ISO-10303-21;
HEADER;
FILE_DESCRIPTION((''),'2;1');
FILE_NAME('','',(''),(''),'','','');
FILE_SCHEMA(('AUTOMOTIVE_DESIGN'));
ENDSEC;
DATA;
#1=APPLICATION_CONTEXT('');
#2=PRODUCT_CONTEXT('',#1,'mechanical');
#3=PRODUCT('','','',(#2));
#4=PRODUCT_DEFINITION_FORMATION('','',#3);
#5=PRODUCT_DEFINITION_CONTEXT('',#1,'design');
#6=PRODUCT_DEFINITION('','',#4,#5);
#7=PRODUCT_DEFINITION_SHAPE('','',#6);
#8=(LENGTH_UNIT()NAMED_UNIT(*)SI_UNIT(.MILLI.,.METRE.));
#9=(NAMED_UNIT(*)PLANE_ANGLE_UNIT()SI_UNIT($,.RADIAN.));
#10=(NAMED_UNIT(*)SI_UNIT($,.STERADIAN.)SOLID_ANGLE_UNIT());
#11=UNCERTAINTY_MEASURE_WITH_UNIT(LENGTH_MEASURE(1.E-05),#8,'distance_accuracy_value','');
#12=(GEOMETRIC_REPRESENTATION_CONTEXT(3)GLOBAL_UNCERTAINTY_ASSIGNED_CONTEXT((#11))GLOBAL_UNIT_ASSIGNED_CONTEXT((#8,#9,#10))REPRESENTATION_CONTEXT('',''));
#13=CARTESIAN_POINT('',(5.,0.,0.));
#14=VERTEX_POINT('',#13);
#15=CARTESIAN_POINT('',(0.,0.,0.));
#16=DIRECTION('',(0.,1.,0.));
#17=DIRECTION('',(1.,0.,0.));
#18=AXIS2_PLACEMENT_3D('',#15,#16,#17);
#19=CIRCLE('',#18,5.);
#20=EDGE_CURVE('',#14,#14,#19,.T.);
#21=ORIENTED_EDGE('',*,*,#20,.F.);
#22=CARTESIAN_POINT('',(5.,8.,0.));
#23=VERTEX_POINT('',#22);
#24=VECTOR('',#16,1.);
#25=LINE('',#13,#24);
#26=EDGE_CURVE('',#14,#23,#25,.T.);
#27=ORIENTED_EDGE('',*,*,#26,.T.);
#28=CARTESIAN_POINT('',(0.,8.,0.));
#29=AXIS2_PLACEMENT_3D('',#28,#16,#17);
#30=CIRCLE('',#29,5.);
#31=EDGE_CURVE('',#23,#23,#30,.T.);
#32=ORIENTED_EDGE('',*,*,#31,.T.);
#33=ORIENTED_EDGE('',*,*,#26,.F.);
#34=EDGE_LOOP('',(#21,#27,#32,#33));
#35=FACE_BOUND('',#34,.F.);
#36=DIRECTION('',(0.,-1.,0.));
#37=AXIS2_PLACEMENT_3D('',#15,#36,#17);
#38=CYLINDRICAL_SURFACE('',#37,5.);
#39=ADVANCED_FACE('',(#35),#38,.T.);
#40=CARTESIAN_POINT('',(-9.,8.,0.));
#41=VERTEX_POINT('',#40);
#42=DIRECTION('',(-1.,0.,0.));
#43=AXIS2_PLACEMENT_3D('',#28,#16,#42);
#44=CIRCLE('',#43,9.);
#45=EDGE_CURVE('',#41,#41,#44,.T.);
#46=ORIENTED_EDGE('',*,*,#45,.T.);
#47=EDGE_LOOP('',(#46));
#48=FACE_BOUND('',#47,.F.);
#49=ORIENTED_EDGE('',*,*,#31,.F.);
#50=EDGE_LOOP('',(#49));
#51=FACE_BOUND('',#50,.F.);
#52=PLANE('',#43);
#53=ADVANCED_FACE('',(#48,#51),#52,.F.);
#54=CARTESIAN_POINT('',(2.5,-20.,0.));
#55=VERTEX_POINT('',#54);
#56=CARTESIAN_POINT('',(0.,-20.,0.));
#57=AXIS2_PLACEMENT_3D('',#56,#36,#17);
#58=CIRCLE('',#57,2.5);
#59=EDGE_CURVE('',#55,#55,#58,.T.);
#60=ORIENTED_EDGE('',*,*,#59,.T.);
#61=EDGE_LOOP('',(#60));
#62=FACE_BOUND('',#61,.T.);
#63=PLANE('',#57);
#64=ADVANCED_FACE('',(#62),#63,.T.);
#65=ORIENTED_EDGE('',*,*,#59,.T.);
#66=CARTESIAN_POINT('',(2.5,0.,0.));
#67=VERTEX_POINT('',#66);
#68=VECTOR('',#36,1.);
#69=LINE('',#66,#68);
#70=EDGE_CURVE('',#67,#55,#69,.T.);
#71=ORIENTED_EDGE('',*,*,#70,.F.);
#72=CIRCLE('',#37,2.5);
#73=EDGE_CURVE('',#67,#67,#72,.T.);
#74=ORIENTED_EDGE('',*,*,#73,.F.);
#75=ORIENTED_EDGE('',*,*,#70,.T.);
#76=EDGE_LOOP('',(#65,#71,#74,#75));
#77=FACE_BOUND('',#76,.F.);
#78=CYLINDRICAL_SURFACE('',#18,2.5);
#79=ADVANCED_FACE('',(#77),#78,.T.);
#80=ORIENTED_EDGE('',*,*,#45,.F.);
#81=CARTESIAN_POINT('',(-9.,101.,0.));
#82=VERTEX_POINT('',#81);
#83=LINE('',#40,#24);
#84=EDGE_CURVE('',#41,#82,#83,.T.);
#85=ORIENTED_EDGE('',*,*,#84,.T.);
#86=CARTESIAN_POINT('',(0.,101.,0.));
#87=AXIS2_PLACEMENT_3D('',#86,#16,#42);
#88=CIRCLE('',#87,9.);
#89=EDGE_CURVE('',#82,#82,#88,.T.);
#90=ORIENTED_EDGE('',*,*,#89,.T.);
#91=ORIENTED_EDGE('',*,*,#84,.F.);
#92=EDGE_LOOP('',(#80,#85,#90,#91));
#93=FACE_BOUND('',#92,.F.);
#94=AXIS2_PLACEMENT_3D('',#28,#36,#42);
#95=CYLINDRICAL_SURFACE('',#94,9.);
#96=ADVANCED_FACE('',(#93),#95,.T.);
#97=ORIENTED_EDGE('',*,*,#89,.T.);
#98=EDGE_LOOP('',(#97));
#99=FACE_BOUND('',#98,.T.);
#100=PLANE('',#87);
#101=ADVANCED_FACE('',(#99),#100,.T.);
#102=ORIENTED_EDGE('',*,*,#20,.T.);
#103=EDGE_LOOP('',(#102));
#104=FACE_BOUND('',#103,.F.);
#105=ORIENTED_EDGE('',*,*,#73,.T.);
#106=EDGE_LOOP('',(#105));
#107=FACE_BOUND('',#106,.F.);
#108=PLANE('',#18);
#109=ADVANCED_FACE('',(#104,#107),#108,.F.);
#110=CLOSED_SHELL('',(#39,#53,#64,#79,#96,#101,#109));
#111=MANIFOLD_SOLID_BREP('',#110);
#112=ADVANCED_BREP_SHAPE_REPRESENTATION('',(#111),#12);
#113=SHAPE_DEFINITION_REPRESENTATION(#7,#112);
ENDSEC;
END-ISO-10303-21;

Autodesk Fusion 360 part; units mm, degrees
sketch "Esquisse1" plane through (0, 0, 0) normal (0, 1, 0) x (1, 0, 0)
  circle A0 centre (0, 0) radius 5
  dimension "d1" = 10
extrude "Extrusion1" add sketch "Esquisse1" along normal blind 8
sketch "Esquisse2" plane through (0, 8, 0) normal (0, 1, 0) x (-1, 0, 0)
  circle A0 centre (0, 0) radius 5
  circle A1 centre (0, 0) radius 9
  dimension "d4" = 18
extrude "Extrusion2" add sketch "Esquisse2" along normal blind 93 contours A0 | A1
sketch "Esquisse3" plane through (0, 0, 0) normal (0, -1, 0) x (1, 0, 0)
  circle A0 centre (0, 0) radius 5
  circle A1 centre (0, 0) radius 2.5
  dimension "d7" = 5
extrude "Extrusion3" add sketch "Esquisse3" along normal blind 20 contours A1
